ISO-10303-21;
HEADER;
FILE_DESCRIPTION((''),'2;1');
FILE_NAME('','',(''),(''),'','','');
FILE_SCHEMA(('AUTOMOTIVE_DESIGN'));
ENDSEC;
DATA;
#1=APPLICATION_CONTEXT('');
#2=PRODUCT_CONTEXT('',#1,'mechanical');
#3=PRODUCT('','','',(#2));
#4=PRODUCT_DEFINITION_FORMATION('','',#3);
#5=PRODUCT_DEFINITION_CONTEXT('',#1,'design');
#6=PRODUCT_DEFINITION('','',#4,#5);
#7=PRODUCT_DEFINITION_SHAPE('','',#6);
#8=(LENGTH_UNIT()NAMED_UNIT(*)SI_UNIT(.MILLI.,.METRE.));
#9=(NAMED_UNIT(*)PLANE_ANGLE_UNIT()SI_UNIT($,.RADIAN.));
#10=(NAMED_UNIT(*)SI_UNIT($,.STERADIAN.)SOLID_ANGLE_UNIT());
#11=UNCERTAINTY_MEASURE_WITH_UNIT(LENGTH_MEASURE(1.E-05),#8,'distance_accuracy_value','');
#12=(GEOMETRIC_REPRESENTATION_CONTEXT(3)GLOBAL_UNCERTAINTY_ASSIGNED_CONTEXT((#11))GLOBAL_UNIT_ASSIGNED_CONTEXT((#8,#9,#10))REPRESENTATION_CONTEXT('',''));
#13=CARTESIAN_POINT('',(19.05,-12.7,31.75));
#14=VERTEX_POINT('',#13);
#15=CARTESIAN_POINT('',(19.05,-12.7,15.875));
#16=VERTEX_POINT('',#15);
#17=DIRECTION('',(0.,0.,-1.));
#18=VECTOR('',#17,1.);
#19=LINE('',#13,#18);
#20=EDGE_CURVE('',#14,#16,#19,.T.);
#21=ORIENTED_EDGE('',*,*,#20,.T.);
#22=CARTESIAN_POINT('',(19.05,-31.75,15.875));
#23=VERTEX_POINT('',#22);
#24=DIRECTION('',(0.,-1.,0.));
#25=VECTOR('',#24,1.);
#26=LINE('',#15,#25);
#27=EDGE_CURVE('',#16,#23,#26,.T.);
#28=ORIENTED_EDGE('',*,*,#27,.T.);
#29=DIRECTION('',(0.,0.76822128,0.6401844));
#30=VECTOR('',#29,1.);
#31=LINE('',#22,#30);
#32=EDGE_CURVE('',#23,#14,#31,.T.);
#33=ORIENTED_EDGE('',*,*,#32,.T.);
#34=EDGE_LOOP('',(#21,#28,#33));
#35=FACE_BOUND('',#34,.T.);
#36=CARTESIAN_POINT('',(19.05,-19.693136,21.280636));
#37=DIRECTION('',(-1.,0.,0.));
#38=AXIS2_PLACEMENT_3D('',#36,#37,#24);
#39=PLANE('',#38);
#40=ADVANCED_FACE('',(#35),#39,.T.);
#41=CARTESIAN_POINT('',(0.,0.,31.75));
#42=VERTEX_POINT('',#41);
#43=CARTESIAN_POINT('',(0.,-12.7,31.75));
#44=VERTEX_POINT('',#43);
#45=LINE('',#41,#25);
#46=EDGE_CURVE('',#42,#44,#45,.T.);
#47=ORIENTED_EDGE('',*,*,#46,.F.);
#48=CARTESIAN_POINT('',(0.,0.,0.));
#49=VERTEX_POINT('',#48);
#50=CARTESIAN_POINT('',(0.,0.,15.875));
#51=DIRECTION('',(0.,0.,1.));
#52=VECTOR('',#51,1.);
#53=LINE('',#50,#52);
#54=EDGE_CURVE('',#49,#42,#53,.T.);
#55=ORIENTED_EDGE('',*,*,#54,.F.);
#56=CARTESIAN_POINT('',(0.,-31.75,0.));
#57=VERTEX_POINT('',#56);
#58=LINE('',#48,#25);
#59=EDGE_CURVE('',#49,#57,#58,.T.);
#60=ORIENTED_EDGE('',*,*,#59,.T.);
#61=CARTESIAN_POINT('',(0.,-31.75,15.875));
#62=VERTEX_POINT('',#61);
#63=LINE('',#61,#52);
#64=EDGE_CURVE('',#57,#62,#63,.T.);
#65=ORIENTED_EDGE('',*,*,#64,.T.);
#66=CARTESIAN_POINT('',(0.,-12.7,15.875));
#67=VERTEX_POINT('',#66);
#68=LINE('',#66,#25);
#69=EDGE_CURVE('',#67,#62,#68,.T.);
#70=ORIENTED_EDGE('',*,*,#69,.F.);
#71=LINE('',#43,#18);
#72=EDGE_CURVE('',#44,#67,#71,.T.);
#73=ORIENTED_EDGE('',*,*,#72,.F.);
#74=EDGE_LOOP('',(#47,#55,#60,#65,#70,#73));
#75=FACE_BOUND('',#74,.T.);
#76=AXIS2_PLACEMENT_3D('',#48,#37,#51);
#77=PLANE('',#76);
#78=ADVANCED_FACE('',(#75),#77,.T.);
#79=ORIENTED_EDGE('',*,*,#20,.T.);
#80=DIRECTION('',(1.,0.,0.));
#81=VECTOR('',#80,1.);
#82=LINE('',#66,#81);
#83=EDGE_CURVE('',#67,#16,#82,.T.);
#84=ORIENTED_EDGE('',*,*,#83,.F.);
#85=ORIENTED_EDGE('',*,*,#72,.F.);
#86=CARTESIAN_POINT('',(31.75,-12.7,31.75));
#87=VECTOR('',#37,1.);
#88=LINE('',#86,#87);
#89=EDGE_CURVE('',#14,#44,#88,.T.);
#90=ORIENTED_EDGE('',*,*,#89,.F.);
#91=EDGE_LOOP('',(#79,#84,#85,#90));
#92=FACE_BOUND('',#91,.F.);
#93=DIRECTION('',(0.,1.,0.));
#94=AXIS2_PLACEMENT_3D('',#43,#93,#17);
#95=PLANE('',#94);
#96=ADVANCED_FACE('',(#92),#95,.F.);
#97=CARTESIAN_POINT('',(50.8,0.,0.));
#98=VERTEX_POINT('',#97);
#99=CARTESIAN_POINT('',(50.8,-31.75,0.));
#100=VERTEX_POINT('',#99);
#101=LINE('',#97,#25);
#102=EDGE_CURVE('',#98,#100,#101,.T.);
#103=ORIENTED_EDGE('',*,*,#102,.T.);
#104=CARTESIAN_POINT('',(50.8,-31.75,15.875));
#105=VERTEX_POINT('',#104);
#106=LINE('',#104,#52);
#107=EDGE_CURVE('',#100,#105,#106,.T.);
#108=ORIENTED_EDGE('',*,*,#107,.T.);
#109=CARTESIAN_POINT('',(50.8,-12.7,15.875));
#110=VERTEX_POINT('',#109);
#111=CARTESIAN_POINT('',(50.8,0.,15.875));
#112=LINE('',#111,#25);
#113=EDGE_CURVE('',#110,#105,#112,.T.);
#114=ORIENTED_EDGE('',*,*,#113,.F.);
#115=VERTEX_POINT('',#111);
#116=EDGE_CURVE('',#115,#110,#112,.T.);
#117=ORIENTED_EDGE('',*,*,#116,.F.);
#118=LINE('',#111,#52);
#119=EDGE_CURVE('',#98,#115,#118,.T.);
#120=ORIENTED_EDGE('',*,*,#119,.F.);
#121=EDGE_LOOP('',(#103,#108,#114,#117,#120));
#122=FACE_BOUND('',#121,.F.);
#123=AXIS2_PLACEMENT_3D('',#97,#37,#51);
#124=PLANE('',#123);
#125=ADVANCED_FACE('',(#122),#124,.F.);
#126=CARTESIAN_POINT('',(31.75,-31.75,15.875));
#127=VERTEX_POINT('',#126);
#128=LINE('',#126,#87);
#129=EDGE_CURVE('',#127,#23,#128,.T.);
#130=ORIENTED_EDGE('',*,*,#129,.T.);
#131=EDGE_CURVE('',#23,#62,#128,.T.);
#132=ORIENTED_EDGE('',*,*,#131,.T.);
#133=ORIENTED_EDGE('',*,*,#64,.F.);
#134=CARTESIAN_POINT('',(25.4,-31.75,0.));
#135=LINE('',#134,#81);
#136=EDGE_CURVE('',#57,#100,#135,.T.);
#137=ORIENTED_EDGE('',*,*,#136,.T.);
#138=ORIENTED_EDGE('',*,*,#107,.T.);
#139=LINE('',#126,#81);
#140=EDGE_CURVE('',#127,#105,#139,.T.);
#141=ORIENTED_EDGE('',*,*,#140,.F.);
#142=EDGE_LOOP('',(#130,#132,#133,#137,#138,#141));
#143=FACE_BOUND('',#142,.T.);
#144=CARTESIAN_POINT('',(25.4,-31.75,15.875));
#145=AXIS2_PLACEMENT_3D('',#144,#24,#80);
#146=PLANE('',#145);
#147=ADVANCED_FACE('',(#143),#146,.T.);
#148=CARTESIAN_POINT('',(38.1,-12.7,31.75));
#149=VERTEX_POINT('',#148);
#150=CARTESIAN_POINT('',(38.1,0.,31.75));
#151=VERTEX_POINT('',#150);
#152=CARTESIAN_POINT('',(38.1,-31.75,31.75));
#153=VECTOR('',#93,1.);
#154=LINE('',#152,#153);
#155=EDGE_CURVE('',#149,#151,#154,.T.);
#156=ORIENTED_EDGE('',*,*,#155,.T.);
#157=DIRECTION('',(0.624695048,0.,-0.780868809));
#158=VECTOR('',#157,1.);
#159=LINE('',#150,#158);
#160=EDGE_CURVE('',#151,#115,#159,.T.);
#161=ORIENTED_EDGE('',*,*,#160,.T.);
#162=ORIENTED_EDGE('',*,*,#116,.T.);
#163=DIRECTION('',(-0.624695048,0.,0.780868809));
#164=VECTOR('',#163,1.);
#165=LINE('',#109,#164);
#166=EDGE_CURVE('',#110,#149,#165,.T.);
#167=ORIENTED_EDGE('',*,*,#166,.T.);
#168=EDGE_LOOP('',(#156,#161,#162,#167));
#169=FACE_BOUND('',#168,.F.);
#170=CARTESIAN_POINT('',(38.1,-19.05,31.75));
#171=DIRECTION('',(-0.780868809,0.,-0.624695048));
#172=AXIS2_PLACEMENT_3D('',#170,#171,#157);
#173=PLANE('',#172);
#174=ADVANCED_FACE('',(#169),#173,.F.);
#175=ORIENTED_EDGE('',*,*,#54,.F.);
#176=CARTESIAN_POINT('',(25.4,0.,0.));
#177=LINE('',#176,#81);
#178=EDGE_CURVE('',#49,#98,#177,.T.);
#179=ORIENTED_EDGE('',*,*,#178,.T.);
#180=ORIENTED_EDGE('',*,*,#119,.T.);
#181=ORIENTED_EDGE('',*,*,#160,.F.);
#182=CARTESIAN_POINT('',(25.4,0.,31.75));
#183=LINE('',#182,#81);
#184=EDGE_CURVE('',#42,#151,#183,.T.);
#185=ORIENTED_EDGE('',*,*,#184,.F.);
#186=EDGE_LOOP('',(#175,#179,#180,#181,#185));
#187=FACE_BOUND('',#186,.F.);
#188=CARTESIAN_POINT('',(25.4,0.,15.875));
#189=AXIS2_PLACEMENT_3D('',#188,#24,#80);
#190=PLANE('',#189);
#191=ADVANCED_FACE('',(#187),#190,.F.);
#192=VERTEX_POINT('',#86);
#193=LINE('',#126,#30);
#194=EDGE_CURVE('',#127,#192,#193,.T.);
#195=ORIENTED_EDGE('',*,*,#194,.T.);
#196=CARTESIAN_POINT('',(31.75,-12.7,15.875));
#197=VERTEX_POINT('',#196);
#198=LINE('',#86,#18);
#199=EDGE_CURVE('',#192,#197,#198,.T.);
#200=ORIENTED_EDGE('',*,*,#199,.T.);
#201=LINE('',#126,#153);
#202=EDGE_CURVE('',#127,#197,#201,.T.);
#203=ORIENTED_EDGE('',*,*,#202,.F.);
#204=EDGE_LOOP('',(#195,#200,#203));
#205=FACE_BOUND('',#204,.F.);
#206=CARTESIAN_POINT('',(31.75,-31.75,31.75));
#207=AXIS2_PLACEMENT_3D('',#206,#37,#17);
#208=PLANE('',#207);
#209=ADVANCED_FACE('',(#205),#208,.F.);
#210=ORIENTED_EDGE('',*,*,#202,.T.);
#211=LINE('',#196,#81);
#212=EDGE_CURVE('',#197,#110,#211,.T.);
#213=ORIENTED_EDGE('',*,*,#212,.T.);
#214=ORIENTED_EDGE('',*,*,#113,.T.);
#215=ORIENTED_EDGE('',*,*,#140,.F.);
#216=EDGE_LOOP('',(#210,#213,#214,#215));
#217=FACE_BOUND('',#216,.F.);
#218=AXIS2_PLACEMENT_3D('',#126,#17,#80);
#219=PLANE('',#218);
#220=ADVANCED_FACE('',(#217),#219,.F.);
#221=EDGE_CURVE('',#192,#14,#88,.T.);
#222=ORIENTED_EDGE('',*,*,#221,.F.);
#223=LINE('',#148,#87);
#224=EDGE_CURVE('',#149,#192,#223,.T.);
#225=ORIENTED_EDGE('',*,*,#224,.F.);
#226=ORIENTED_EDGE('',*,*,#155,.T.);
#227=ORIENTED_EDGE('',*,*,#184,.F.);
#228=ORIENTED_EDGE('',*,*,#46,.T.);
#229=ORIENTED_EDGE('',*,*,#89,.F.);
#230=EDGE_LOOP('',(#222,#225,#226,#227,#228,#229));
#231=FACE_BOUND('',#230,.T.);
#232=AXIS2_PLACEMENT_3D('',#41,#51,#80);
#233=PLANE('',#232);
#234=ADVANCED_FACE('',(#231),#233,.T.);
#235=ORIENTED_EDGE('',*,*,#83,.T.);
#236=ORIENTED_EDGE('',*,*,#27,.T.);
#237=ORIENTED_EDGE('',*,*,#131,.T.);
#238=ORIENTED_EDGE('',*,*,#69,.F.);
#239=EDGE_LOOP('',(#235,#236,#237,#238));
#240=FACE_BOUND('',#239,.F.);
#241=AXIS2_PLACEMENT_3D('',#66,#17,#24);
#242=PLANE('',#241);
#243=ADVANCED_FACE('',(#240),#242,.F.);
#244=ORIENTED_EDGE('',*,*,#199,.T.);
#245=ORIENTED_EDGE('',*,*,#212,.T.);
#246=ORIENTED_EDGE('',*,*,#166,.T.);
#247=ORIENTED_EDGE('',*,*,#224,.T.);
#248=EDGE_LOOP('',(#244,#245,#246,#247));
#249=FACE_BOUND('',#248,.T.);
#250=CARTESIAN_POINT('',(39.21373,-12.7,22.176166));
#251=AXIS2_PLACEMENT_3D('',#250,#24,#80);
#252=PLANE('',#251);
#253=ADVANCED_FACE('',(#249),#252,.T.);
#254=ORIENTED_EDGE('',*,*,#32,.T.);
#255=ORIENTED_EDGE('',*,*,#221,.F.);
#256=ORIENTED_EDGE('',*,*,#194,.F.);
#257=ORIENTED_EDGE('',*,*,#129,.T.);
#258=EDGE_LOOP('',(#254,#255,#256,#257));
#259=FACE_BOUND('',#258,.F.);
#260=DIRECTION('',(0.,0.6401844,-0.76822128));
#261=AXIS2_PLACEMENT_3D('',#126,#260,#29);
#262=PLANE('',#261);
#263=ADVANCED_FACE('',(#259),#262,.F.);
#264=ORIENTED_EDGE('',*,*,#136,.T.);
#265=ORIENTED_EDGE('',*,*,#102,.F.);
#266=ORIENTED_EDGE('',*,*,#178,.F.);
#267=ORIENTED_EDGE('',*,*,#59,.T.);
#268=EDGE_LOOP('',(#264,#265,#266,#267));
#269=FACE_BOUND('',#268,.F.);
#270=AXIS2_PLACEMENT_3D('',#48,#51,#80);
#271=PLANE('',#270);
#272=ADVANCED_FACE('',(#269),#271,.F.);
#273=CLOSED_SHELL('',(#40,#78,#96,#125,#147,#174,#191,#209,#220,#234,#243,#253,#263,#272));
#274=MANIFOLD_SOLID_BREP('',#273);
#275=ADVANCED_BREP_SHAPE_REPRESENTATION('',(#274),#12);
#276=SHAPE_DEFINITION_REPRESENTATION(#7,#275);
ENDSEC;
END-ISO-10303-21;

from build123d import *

# Parameters (mm, degrees)
F0_W      = 50.8
F0_H      = 31.75
F1_DEPTH  = 31.75
F3_DEPTH  = 12.7
F4_DEPTH  = 19.05
F6_DEPTH  = 19.05
F8_DEPTH  = 31.75
F10_DEPTH = 19.05


with BuildPart() as f1:
    # F0 (on Front) → F1 (new body)
    with BuildSketch(Plane.XZ):
        with Locations((25.4, 15.875)):
            Rectangle(F0_W, F0_H)
    extrude(amount=F1_DEPTH)

    # F2 (on face) → F3 (cut)
    with BuildSketch(Plane.XZ.offset(31.75)):
        Polygon((50.8, 31.75), (38.1, 31.75), (50.8, 15.875), align=None)
    extrude(amount=-F3_DEPTH, mode=Mode.SUBTRACT)

    # F4 (cut): a face of the model
    f4_faces = [f1.faces().sort_by_distance(p)[0] for p in [
        (46.5666666667, -19.05, 26.4583333333),
    ]]
    extrude(f4_faces, amount=-F4_DEPTH, mode=Mode.SUBTRACT)

    # F5 (on face) → F6 (cut)
    with BuildSketch(Plane.XZ.offset(31.75)):
        Polygon((38.1, 31.75), (31.75, 31.75), (31.75, 15.875), (50.8, 15.875), align=None)
    extrude(amount=-F6_DEPTH, mode=Mode.SUBTRACT)

    # F7 (on face) → F8 (cut)
    with BuildSketch(Plane.YZ.offset(31.75)):
        Polygon((-31.75, 15.875), (-12.7, 31.75), (-31.75, 31.75), align=None)
    extrude(amount=-F8_DEPTH, mode=Mode.SUBTRACT)

    # F9 (on face) → F10 (cut)
    with BuildSketch(Plane(origin=(0, 0, 0), x_dir=(0, -1, 0), z_dir=(-1, 0, 0))):
        Polygon((31.75, 15.875), (12.7, 31.75), (12.7, 15.875), align=None)
    extrude(amount=-F10_DEPTH, mode=Mode.SUBTRACT)


solid = f1.part
